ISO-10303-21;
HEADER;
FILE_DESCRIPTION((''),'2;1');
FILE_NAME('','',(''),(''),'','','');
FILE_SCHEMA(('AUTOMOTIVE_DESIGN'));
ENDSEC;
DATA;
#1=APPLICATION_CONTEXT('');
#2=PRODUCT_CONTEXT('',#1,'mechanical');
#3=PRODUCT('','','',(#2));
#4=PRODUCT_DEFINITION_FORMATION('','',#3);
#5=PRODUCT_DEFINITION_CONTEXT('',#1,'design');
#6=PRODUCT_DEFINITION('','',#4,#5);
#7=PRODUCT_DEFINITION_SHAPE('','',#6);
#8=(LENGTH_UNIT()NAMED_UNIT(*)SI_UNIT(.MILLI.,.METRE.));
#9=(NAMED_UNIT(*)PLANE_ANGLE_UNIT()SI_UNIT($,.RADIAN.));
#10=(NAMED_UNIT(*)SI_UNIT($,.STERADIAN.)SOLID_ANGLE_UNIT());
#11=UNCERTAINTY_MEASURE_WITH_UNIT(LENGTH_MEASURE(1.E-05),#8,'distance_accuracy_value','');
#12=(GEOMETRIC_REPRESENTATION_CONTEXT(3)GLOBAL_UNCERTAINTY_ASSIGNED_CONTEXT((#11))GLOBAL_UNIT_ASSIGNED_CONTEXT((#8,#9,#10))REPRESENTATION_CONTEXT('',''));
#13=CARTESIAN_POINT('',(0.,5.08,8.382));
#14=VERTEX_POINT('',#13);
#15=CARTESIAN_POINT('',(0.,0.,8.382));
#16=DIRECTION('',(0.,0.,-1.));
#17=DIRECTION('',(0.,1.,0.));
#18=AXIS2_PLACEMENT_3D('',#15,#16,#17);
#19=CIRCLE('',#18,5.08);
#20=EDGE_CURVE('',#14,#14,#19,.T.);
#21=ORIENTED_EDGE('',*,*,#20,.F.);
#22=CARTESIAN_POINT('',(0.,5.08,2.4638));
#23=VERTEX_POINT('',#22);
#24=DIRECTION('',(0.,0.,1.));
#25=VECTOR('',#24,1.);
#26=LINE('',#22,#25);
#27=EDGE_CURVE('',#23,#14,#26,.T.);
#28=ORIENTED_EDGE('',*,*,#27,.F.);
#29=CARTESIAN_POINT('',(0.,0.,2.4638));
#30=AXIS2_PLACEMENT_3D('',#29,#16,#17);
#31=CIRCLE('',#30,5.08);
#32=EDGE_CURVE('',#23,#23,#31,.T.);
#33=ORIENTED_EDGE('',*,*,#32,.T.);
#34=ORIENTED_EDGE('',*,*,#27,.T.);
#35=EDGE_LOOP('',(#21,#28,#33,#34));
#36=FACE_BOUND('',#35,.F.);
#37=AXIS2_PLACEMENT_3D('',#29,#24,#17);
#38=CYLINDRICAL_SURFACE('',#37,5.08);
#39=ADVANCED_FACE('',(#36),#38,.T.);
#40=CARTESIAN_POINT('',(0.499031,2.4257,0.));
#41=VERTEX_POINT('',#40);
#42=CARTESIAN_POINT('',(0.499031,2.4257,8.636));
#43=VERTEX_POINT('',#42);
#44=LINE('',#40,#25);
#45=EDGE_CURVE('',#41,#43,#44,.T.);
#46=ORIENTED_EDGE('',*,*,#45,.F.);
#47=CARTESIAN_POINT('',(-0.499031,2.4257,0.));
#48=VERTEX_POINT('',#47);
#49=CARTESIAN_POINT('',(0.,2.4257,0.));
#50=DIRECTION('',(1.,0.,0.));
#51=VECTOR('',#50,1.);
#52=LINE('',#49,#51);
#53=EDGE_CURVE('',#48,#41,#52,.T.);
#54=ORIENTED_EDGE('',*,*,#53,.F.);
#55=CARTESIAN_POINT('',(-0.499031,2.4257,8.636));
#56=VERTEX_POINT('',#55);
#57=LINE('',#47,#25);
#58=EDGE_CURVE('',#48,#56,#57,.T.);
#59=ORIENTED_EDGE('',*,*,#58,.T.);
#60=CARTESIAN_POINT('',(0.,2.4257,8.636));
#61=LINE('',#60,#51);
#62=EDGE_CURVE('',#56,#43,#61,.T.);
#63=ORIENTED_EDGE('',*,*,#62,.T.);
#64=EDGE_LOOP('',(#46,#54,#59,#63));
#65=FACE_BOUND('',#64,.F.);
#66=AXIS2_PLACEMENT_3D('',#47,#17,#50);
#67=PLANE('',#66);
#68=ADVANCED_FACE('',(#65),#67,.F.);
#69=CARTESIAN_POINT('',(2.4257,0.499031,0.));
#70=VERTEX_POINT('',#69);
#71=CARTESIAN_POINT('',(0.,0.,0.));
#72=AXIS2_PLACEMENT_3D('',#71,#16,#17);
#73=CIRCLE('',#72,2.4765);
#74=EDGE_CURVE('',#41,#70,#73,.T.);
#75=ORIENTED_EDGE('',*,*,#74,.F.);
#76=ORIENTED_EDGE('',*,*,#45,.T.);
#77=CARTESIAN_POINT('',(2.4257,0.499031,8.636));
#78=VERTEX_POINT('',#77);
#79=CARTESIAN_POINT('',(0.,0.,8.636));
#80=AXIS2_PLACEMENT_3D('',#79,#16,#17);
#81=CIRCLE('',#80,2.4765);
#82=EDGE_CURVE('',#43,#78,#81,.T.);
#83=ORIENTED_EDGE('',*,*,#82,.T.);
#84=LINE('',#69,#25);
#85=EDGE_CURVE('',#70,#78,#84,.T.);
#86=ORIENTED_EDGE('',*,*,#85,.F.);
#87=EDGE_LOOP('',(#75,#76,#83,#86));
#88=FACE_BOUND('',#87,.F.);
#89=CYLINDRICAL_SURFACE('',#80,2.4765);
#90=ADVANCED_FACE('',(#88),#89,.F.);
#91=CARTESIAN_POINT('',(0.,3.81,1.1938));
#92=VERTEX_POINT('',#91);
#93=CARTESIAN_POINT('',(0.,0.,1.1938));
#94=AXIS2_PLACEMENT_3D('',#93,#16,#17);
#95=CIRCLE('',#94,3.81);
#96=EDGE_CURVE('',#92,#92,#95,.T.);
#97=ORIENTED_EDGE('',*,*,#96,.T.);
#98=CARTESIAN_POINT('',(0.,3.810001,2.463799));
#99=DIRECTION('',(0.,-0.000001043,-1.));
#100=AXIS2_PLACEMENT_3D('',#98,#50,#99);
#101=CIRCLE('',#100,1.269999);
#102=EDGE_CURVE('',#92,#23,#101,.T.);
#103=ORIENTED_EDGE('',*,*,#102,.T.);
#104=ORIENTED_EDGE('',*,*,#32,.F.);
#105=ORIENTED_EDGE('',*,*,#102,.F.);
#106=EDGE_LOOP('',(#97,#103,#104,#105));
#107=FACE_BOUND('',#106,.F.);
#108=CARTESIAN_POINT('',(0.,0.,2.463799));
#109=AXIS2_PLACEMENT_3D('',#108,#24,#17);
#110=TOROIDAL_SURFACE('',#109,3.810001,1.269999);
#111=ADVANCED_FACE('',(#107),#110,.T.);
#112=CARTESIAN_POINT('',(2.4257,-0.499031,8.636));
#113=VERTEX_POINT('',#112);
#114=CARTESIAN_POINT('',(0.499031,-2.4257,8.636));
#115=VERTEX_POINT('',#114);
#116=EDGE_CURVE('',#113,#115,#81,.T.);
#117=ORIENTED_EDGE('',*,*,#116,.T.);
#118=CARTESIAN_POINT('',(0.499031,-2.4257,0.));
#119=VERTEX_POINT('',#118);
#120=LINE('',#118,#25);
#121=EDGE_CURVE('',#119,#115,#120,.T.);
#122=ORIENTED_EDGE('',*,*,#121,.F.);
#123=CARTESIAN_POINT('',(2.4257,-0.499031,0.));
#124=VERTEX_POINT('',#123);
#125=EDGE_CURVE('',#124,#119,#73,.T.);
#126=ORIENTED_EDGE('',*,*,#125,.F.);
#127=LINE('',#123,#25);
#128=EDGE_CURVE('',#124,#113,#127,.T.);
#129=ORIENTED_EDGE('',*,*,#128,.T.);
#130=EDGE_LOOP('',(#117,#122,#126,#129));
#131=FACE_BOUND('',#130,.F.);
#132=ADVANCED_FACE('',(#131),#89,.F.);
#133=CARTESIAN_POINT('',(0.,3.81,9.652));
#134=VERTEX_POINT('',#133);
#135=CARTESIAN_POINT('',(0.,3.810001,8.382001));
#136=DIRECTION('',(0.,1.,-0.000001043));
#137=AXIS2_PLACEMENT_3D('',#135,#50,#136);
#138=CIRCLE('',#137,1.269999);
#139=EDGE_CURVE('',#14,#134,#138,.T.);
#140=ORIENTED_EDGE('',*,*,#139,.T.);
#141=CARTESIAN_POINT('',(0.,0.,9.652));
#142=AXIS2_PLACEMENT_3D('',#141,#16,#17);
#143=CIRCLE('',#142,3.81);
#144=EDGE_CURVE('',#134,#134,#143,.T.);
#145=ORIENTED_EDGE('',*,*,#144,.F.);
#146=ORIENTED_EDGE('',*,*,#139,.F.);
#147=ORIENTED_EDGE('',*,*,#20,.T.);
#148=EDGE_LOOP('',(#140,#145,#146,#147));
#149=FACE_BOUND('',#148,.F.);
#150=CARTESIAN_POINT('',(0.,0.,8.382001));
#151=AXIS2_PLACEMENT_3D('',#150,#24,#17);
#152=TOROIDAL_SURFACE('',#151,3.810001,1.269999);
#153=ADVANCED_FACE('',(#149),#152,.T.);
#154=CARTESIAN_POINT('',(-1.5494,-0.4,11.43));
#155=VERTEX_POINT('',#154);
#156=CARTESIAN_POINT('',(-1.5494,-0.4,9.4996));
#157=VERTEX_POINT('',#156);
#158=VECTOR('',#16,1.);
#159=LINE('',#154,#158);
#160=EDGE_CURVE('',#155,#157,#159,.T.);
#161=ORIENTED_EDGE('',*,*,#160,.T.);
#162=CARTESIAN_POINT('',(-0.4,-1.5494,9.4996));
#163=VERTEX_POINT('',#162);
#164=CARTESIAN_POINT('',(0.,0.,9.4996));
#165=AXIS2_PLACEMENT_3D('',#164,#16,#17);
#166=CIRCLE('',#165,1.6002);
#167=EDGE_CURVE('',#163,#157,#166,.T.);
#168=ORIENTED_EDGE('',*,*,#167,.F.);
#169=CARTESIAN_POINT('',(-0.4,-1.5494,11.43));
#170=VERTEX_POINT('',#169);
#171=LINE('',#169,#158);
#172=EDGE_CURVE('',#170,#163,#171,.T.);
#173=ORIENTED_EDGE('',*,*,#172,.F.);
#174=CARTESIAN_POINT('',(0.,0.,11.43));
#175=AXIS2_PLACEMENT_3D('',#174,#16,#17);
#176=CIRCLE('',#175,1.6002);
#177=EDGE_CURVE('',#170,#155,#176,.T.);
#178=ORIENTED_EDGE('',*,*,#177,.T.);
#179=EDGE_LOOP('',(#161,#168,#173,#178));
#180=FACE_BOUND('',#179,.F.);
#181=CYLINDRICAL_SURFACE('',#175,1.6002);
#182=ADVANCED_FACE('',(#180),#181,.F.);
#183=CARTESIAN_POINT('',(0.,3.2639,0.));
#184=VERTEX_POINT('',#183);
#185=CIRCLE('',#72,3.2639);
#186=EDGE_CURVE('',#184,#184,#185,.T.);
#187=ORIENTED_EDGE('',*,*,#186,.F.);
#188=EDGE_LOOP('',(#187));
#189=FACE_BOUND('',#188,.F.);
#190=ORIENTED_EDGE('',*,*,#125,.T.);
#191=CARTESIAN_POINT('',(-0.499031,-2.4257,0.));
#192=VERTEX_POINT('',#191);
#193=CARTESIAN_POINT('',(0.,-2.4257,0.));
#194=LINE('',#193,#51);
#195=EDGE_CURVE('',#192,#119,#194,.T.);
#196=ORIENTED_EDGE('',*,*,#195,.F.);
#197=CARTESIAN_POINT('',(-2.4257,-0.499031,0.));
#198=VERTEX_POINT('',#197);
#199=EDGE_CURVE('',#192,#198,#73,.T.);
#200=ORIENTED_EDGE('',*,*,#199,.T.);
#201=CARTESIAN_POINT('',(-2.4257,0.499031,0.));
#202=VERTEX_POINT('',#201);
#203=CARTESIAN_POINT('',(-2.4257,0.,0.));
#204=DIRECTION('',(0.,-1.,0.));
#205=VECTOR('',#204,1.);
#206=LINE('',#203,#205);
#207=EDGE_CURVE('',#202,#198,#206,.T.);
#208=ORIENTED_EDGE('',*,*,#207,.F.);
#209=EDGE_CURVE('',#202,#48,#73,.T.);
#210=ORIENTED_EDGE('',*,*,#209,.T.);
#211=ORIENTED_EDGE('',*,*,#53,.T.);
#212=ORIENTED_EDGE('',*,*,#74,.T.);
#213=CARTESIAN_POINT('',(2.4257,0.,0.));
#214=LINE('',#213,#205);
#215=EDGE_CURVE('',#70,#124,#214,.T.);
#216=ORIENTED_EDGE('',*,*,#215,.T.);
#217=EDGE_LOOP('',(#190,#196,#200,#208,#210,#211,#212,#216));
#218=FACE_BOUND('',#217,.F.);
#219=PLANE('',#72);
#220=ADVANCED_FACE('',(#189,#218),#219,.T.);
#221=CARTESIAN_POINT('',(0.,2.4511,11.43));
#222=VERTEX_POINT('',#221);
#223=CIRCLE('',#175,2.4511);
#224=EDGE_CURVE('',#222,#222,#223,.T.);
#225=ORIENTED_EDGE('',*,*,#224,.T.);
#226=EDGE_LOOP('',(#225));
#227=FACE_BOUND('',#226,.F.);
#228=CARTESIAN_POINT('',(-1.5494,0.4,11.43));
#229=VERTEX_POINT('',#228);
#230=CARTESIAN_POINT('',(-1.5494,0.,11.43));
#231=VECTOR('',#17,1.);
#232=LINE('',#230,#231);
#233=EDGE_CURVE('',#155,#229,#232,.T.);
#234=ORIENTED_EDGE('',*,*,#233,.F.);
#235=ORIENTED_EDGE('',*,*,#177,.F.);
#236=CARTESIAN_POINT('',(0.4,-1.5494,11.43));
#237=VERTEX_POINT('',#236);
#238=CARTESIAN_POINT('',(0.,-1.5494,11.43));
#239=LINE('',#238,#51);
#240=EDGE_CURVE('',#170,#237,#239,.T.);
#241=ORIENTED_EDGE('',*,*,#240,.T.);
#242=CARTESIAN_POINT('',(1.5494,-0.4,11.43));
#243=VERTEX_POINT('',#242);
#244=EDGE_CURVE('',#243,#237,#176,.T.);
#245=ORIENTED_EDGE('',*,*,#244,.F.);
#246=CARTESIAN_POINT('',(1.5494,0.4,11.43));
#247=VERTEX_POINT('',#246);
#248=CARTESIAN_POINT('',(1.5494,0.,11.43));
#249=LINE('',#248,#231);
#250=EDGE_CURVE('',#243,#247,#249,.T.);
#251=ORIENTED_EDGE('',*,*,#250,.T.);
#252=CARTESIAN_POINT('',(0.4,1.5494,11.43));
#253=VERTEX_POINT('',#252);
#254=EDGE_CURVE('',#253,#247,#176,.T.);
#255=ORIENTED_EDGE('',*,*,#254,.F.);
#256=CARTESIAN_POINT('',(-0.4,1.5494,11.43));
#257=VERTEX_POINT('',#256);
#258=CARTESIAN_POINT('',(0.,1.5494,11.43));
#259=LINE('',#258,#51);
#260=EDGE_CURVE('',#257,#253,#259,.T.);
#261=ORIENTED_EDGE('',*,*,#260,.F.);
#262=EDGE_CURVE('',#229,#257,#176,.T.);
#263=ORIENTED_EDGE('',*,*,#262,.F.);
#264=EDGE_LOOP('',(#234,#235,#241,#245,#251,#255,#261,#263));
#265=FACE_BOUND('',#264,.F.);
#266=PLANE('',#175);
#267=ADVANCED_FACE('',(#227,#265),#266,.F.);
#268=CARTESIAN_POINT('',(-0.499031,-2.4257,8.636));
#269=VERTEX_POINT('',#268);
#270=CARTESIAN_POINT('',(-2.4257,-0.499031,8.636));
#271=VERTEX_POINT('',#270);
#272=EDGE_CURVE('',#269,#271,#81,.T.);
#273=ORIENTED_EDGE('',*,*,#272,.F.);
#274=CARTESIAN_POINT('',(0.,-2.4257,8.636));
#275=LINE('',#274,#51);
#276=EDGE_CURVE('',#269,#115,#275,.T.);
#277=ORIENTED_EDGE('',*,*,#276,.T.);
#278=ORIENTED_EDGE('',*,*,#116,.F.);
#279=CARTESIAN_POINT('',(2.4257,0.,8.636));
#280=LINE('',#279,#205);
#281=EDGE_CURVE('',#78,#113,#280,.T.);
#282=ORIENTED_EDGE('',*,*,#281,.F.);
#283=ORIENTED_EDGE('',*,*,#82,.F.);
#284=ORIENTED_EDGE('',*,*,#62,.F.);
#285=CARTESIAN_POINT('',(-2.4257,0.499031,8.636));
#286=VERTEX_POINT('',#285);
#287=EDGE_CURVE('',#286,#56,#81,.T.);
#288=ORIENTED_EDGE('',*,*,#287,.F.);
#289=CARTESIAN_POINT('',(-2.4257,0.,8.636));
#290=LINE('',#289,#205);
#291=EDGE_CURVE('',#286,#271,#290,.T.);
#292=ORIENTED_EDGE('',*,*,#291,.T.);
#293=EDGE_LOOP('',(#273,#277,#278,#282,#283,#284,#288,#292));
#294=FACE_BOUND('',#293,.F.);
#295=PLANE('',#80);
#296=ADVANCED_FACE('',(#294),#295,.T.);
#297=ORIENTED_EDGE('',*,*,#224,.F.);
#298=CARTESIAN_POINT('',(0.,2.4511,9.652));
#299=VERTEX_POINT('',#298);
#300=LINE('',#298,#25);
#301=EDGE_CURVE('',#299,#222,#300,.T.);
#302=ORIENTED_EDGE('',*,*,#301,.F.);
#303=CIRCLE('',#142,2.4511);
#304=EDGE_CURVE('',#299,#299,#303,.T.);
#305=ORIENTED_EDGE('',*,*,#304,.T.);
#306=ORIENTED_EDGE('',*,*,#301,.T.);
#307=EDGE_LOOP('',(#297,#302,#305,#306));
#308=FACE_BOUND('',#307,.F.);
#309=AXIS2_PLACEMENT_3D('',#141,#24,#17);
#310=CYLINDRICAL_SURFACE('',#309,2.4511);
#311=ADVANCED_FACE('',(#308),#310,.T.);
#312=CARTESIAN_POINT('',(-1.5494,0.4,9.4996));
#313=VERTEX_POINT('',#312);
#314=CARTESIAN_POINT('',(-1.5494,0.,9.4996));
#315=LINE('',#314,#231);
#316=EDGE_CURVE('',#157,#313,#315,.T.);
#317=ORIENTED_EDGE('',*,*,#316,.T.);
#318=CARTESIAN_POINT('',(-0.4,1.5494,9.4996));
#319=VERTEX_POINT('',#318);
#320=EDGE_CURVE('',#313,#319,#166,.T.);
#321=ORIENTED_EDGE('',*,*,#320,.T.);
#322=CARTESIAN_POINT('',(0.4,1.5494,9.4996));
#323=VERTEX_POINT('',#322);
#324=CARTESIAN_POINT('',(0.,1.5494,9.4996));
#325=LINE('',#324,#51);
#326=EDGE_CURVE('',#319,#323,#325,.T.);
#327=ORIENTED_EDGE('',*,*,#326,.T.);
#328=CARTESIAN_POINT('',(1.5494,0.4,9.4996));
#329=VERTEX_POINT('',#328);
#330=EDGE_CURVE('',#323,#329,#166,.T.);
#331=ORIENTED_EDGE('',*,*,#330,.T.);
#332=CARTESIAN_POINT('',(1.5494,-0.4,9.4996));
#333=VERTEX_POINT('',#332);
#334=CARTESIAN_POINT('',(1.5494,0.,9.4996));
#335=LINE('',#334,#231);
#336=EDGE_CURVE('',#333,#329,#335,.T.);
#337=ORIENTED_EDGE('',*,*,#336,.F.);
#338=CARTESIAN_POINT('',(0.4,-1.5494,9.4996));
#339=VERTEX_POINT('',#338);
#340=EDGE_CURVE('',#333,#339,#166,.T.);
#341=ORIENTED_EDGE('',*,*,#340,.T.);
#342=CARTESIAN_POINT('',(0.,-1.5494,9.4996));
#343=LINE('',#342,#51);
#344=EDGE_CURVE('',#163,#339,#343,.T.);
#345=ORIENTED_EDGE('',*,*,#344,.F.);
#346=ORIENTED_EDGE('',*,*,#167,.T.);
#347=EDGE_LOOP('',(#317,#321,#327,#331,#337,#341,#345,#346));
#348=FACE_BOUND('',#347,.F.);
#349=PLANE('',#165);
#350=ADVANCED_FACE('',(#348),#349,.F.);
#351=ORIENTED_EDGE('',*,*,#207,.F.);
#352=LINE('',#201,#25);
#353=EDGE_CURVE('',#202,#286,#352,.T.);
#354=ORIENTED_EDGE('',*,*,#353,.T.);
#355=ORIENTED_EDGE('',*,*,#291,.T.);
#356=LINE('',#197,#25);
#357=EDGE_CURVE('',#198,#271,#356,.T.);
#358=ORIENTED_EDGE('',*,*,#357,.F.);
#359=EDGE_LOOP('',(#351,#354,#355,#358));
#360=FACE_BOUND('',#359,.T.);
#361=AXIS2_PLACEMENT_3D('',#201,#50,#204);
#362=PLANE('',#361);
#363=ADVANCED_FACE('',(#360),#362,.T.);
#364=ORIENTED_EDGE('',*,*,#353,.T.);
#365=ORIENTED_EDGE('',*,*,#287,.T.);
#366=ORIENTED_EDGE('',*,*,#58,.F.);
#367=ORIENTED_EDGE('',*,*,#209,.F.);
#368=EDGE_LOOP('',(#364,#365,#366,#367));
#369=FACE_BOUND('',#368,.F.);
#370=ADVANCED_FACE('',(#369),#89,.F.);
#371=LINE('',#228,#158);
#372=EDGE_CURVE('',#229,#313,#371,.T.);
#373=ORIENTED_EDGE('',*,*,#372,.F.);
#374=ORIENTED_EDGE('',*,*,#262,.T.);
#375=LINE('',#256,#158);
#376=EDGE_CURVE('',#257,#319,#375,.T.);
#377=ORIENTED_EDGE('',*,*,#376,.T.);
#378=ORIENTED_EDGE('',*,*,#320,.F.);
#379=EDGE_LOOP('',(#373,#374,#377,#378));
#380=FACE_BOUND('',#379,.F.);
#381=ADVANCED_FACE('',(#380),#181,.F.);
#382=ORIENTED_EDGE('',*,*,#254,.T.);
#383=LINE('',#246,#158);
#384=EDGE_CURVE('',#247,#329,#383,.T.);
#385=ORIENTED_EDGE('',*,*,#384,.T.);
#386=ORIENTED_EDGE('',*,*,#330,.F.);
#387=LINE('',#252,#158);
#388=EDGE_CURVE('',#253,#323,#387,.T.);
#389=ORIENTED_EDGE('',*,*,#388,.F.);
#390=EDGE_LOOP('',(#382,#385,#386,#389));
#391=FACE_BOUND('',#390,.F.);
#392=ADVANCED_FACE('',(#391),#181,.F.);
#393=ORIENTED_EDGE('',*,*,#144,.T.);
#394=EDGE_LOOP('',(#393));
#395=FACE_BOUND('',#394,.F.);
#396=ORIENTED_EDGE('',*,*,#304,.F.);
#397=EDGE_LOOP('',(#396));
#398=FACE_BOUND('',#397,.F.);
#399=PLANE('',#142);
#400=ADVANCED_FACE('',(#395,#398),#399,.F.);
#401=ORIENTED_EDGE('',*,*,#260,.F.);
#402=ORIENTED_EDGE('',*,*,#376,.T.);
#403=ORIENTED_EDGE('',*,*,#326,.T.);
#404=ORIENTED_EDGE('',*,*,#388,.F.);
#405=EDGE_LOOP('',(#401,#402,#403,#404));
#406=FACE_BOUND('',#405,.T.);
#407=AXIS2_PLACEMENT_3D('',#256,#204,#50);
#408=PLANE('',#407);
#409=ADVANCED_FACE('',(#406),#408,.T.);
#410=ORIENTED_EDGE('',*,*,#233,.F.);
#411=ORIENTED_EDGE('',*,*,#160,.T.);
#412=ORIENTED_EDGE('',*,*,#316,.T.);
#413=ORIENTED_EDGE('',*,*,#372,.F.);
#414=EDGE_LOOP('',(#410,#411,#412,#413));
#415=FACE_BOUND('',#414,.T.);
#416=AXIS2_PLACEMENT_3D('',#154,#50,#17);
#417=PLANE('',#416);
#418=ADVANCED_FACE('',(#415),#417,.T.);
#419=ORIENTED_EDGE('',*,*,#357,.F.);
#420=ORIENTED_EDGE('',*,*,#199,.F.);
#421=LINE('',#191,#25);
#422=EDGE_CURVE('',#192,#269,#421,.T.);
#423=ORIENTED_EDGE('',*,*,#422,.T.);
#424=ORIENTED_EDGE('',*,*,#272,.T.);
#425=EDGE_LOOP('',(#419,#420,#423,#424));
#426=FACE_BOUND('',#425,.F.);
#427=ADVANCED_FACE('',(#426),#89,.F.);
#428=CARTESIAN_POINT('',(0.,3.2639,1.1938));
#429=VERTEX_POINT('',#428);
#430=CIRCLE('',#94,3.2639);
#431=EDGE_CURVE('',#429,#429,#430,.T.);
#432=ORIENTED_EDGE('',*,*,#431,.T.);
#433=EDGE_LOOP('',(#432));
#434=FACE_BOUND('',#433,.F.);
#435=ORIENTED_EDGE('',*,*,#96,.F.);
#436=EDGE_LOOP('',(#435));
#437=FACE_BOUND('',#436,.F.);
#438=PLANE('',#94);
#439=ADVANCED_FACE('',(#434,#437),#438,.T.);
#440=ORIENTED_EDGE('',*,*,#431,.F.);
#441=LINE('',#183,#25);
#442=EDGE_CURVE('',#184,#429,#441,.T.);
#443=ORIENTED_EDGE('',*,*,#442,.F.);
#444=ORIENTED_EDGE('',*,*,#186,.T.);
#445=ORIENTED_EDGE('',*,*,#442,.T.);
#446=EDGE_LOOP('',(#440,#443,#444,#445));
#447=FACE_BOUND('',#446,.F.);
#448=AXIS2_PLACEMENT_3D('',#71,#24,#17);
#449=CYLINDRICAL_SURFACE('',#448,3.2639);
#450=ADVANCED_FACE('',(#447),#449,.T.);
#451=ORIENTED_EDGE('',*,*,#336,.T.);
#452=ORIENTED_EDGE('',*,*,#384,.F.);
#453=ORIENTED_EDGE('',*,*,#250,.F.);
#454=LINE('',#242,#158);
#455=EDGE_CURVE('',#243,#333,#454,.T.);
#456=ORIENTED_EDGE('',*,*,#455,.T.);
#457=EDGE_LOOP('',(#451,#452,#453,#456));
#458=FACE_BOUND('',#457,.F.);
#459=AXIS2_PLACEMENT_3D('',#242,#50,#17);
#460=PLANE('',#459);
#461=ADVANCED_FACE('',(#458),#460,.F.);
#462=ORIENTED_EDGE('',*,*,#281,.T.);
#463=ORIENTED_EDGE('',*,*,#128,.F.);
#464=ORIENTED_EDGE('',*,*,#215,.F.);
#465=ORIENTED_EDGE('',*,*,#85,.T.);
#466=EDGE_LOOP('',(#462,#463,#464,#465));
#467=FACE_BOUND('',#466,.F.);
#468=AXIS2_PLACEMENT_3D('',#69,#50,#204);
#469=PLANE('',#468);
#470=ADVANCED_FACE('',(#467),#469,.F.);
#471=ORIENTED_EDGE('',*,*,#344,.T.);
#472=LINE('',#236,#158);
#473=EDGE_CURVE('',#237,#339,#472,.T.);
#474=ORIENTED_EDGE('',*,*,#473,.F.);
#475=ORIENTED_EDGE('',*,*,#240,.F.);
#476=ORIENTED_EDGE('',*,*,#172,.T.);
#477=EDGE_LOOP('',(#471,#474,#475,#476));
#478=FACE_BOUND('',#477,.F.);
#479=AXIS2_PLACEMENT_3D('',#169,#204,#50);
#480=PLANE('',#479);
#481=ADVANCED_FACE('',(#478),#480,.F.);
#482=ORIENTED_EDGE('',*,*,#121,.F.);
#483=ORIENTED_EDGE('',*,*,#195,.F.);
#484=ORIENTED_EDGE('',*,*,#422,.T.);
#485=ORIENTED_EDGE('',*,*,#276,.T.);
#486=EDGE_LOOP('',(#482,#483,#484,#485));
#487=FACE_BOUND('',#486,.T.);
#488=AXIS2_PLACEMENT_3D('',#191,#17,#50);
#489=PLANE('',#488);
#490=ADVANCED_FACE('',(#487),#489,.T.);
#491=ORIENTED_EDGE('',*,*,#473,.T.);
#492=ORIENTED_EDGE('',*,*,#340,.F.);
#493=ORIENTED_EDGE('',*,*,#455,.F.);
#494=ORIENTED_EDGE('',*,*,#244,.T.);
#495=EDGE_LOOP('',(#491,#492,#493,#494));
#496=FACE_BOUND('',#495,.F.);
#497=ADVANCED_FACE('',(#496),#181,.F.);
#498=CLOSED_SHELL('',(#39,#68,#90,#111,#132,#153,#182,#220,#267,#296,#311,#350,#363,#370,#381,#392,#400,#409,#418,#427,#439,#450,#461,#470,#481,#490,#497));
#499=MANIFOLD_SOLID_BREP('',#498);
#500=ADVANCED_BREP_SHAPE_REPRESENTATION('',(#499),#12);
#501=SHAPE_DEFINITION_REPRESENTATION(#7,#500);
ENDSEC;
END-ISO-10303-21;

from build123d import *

# Parameters (mm, degrees)
F2_W     = 0.998062
F2_H     = 0.0508
F2_W_2   = 0.0508
F2_H_2   = 0.998062
F3_DEPTH = 8.636
F4_W     = 0.8
F4_H     = 0.0508
F4_W_2   = 0.0508
F4_H_2   = 0.8
F5_DEPTH = 1.9304


with BuildPart() as f1:
    # F0 (on Right) → F1 (revolve)
    with BuildSketch(Plane.YZ):
        with BuildLine():
            Line((2.4765, 8.636), (2.4765, 0))
            Line((2.4765, 0), (3.2639, 0))
            Line((3.2639, 0), (3.2639, 1.1938))
            Line((3.2639, 1.1938), (3.81, 1.1938))
            ThreePointArc((3.81, 1.1938), (4.708026, 1.565774), (5.08, 2.4638))
            Line((5.08, 2.4638), (5.08, 8.382))
            ThreePointArc((5.08, 8.382), (4.708026, 9.280026), (3.81, 9.652))
            Line((3.81, 9.652), (2.4511, 9.652))
            Line((2.4511, 9.652), (2.4511, 11.43))
            Line((2.4511, 11.43), (1.6002, 11.43))
            Line((1.6002, 11.43), (1.6002, 9.4996))
            Line((1.6002, 9.4996), (0, 9.4996))
            Line((0, 9.4996), (0, 8.636))
            Line((0, 8.636), (2.4765, 8.636))
        make_face()
    revolve(axis=Axis((0, 0, 4.318), (0, 0, -1)))

    # F2 (on face) → F3 (join, through all)
    with BuildSketch(Plane(origin=(0, 0, 0), x_dir=(1, 0, 0), z_dir=(0, 0, -1))):
        with Locations((0, 2.4511)):
            Rectangle(F2_W, F2_H)
        with Locations((2.4511, 0)):
            Rectangle(F2_W_2, F2_H_2)
        with Locations((0, -2.4511)):
            Rectangle(F2_W, F2_H)
        with Locations((-2.4511, 0)):
            Rectangle(F2_W_2, F2_H_2)
    extrude(amount=-F3_DEPTH)

    # F4 (on face) → F5 (join, through all)
    with BuildSketch(Plane.XY.offset(11.43)):
        with Locations((0, -1.5748)):
            Rectangle(F4_W, F4_H)
        with Locations((-1.5748, 0)):
            Rectangle(F4_W_2, F4_H_2)
        with Locations((0, 1.5748)):
            Rectangle(F4_W, F4_H)
        with Locations((1.5748, 0)):
            Rectangle(F4_W_2, F4_H_2)
    extrude(amount=-F5_DEPTH)


solid = f1.part
